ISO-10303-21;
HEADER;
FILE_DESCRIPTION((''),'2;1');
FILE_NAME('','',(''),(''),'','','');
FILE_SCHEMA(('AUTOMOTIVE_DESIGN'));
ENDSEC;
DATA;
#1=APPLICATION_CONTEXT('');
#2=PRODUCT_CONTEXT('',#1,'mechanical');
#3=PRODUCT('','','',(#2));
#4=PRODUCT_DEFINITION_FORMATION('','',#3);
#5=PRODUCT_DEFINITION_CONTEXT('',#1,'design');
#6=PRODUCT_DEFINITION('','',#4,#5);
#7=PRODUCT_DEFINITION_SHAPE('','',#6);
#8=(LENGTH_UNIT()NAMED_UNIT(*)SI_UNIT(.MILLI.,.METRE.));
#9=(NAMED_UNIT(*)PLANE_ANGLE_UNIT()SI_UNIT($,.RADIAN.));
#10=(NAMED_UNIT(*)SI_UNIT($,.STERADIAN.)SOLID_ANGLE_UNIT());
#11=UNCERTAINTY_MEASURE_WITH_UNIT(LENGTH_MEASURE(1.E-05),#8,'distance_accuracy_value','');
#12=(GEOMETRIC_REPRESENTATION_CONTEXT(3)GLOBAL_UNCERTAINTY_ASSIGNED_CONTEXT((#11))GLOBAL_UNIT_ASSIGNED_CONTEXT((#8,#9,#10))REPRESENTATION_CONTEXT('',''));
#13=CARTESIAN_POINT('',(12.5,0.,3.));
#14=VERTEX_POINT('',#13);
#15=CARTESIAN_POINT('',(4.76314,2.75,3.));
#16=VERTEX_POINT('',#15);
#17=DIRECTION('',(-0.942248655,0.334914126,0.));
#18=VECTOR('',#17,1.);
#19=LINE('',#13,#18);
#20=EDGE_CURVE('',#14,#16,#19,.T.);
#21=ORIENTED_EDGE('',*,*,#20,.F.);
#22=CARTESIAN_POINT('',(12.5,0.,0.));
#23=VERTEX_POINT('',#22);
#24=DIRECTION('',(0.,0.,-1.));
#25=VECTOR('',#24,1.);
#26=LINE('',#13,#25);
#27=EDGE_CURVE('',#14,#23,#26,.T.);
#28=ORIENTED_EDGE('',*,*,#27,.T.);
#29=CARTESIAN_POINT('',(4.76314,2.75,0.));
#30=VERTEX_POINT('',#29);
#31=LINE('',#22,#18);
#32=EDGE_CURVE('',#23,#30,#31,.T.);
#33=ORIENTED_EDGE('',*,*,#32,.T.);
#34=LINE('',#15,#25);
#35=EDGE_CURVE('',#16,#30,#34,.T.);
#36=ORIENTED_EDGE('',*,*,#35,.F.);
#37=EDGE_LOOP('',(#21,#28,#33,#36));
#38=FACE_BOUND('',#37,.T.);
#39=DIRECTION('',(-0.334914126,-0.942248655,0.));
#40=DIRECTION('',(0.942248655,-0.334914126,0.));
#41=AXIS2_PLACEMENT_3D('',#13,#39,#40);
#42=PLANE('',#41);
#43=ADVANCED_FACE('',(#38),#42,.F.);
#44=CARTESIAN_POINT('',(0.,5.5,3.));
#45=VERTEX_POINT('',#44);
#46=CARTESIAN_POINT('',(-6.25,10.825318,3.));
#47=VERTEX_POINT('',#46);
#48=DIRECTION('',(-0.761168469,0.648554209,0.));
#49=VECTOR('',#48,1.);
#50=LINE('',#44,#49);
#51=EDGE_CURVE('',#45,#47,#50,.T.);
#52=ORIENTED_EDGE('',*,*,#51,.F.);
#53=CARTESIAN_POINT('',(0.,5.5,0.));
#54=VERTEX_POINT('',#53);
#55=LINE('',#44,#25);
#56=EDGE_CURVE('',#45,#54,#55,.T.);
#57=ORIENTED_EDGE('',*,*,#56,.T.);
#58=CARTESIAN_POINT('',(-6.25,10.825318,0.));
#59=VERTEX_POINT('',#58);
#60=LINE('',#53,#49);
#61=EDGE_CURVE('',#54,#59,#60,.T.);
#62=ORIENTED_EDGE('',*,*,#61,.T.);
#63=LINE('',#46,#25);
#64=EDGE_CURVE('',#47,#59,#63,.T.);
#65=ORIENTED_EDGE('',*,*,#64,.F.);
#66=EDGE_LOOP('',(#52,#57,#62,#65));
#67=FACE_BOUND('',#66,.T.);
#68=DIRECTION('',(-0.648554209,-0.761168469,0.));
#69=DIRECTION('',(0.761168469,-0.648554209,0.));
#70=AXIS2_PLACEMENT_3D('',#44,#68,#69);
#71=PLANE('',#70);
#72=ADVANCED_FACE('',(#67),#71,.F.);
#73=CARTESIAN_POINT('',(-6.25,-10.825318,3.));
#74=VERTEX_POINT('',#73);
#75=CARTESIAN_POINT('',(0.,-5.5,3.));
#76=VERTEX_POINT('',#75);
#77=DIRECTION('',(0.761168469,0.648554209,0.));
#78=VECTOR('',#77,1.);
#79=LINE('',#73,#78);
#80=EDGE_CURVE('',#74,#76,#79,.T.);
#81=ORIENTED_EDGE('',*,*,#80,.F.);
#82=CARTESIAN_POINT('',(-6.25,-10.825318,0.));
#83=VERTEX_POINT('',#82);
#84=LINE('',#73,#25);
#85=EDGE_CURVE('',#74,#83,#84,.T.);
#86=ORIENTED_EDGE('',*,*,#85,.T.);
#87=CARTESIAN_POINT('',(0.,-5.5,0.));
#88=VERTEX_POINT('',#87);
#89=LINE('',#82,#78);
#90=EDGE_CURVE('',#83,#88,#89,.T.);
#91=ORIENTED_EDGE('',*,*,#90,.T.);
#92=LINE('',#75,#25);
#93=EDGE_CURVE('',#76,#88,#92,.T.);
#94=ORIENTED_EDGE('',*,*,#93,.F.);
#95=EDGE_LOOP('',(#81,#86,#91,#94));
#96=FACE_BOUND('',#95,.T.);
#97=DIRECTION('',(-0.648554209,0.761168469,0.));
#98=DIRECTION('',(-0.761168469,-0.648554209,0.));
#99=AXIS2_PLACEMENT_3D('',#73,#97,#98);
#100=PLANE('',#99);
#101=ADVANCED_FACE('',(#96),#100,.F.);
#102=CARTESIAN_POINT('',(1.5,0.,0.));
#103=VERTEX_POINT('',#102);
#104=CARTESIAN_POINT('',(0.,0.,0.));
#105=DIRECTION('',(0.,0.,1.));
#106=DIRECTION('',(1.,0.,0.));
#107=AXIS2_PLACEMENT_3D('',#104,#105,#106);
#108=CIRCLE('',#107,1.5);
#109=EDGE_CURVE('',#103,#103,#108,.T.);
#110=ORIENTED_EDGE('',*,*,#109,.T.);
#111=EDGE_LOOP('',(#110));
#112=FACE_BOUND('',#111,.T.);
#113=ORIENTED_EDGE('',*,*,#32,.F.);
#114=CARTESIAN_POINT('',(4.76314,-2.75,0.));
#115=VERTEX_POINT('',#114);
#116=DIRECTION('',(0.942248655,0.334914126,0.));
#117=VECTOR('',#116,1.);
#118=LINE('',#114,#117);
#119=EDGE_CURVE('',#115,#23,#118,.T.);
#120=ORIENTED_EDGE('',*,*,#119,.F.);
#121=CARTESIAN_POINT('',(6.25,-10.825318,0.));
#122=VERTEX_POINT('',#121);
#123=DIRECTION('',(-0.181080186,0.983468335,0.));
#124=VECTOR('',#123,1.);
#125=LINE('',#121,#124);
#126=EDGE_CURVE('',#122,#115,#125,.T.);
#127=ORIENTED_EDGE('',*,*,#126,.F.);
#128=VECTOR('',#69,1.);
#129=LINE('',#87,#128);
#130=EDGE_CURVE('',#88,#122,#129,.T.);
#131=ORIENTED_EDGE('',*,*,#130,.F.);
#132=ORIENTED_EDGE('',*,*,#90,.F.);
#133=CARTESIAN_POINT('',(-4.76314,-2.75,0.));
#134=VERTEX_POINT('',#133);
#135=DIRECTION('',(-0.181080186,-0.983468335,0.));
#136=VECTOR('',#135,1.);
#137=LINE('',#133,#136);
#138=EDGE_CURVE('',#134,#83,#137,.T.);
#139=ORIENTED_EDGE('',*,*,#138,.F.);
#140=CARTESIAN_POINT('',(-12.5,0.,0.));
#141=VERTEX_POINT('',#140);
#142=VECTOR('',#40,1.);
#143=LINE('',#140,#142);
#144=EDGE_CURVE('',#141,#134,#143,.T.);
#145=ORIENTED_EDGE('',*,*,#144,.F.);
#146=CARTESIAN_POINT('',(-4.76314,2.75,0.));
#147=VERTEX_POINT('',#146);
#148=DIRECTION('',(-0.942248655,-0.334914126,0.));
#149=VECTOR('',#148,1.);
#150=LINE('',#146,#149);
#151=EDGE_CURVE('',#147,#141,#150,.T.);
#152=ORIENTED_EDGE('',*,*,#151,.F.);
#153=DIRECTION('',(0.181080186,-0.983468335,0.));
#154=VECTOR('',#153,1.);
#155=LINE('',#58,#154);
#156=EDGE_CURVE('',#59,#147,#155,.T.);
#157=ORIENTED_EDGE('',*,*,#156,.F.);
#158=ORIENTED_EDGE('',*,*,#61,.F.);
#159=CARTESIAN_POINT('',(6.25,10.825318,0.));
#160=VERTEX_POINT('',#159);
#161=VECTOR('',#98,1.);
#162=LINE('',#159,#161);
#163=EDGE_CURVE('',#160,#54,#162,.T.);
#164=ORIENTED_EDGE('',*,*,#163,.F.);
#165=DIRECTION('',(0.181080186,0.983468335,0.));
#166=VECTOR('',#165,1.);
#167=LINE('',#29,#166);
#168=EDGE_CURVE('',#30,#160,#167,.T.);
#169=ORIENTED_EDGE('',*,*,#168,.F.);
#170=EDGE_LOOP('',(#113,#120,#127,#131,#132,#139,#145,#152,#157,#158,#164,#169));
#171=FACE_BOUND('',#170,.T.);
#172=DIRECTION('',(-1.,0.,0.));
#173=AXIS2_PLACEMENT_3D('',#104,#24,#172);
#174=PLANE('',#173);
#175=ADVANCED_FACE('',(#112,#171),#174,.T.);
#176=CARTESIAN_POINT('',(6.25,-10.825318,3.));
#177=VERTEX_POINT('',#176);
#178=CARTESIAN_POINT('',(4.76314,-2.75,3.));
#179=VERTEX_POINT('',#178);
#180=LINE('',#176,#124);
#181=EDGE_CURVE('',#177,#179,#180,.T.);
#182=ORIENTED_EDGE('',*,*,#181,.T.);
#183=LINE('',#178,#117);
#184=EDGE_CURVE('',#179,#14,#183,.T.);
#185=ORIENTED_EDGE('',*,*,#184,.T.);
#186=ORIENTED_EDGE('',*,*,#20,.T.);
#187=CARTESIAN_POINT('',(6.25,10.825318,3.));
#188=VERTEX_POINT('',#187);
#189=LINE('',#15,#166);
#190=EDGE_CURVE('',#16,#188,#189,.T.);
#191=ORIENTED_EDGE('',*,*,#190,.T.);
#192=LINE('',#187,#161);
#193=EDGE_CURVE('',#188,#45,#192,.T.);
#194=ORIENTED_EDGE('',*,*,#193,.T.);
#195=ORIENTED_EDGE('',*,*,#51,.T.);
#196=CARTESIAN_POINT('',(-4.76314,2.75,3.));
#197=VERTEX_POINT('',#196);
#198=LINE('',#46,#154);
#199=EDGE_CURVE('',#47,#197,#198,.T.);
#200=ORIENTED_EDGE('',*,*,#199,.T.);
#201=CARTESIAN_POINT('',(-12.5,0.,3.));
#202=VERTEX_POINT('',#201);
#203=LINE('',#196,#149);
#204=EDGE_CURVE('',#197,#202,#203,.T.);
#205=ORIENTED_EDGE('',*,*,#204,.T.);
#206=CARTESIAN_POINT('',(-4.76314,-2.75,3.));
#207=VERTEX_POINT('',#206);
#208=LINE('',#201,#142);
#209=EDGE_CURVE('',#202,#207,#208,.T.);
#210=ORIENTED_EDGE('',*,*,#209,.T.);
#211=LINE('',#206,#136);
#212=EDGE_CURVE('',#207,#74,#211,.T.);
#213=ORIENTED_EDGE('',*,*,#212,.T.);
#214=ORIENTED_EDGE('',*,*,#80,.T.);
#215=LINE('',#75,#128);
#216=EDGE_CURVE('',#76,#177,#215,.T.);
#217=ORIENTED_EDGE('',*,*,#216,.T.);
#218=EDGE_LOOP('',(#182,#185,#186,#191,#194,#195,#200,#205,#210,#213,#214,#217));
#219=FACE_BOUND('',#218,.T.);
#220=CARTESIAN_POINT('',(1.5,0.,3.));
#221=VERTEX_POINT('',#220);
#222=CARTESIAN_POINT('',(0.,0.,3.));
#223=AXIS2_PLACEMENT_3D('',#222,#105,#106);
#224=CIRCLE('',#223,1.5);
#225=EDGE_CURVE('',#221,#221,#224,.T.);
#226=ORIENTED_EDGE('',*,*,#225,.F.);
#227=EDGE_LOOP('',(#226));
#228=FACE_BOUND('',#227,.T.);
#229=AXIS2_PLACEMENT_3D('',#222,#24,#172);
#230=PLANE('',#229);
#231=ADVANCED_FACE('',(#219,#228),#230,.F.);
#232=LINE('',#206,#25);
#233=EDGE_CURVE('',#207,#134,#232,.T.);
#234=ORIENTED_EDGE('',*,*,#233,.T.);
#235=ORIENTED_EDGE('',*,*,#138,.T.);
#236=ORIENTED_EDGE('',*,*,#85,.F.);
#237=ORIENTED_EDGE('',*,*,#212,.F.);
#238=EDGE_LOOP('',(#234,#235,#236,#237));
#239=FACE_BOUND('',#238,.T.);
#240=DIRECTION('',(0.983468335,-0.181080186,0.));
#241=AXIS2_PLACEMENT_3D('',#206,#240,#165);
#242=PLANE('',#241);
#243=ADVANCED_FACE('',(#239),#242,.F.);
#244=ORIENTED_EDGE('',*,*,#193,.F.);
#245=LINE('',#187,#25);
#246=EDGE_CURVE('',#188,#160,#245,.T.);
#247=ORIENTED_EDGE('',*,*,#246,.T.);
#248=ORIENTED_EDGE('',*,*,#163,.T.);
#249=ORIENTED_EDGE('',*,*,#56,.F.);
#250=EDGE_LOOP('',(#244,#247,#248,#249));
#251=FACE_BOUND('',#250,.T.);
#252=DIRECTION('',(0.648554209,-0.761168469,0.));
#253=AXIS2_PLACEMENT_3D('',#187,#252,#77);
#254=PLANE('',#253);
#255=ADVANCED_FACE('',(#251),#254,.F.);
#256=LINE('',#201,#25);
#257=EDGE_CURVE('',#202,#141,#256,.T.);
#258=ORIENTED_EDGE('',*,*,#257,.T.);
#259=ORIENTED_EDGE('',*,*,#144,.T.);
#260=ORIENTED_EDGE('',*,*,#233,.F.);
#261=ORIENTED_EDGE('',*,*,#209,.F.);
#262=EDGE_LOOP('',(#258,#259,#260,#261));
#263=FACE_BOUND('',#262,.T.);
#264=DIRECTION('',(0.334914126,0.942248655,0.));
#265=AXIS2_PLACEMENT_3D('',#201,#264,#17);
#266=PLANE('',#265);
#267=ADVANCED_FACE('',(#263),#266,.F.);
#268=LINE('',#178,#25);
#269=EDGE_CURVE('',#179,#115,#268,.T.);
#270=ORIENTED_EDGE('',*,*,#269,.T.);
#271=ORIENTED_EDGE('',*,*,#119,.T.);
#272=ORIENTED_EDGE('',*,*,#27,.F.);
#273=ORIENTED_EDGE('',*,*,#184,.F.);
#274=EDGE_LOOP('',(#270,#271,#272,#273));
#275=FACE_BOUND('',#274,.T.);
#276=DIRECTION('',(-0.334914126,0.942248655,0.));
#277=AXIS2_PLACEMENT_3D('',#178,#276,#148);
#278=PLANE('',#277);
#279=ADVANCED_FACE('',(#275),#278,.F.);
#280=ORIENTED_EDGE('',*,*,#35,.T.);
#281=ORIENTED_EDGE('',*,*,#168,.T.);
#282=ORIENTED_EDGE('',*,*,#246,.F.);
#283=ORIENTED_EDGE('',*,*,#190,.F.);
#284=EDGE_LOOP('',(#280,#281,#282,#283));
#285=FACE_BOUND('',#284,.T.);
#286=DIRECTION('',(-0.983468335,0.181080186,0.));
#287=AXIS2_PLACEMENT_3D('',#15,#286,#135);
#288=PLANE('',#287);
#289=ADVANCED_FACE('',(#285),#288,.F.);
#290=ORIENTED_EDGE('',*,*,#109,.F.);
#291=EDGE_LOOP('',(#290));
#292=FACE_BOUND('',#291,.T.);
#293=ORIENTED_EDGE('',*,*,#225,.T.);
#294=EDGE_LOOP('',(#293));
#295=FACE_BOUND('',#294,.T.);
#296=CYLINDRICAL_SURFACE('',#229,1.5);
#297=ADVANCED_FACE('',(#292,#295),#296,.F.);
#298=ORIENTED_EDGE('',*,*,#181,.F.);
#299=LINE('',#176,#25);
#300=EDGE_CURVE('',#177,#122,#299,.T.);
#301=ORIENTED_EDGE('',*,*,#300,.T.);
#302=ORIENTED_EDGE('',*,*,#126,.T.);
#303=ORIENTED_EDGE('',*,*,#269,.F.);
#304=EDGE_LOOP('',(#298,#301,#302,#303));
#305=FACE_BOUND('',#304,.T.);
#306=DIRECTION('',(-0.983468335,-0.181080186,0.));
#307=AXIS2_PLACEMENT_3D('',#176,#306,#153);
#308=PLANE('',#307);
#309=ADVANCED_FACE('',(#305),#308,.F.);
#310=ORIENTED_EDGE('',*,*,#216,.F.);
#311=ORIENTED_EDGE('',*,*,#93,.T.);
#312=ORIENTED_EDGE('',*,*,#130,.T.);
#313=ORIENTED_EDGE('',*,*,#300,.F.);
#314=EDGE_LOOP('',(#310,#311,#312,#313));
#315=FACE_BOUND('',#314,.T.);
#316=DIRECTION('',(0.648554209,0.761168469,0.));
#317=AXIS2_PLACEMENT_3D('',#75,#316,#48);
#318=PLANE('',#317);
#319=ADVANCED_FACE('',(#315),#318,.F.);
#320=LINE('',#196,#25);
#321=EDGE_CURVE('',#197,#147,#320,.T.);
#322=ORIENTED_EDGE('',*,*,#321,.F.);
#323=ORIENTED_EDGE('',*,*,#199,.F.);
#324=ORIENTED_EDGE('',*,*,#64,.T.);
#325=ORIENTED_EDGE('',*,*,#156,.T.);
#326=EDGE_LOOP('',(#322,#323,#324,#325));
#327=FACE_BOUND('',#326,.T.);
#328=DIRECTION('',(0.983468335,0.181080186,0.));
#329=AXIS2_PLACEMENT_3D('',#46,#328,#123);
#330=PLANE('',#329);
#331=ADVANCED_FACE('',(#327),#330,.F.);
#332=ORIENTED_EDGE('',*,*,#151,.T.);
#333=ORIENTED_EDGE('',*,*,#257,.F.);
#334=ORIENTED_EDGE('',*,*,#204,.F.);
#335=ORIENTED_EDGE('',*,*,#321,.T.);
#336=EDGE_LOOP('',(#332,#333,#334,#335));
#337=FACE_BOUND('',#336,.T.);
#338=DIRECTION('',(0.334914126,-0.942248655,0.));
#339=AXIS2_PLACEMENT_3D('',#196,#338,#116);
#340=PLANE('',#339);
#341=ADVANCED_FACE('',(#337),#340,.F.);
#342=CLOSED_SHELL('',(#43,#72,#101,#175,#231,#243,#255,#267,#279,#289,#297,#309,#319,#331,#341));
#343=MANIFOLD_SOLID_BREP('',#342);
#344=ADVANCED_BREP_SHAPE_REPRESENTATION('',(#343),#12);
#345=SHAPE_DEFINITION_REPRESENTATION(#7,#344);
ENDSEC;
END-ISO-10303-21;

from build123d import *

# Parameters (mm, degrees)
SKETCH1_R           = 1.5
BOSS_EXTRUDE1_DEPTH = 3


with BuildPart() as part:
    # Sketch1 → Boss-Extrude1 (new body)
    with BuildSketch(Plane.XY):
        Polygon((12.5, 0), (4.763139721, 2.75), (6.25, 10.825317547), (0, 5.5), (-6.25, 10.825317547), (-4.763139721, 2.75), (-12.5, 0), (-4.763139721, -2.75), (-6.25, -10.825317547), (0, -5.5), (6.25, -10.825317547), (4.763139721, -2.75), align=None)
        Circle(SKETCH1_R, mode=Mode.SUBTRACT)
    extrude(amount=BOSS_EXTRUDE1_DEPTH)


solid = part.part
